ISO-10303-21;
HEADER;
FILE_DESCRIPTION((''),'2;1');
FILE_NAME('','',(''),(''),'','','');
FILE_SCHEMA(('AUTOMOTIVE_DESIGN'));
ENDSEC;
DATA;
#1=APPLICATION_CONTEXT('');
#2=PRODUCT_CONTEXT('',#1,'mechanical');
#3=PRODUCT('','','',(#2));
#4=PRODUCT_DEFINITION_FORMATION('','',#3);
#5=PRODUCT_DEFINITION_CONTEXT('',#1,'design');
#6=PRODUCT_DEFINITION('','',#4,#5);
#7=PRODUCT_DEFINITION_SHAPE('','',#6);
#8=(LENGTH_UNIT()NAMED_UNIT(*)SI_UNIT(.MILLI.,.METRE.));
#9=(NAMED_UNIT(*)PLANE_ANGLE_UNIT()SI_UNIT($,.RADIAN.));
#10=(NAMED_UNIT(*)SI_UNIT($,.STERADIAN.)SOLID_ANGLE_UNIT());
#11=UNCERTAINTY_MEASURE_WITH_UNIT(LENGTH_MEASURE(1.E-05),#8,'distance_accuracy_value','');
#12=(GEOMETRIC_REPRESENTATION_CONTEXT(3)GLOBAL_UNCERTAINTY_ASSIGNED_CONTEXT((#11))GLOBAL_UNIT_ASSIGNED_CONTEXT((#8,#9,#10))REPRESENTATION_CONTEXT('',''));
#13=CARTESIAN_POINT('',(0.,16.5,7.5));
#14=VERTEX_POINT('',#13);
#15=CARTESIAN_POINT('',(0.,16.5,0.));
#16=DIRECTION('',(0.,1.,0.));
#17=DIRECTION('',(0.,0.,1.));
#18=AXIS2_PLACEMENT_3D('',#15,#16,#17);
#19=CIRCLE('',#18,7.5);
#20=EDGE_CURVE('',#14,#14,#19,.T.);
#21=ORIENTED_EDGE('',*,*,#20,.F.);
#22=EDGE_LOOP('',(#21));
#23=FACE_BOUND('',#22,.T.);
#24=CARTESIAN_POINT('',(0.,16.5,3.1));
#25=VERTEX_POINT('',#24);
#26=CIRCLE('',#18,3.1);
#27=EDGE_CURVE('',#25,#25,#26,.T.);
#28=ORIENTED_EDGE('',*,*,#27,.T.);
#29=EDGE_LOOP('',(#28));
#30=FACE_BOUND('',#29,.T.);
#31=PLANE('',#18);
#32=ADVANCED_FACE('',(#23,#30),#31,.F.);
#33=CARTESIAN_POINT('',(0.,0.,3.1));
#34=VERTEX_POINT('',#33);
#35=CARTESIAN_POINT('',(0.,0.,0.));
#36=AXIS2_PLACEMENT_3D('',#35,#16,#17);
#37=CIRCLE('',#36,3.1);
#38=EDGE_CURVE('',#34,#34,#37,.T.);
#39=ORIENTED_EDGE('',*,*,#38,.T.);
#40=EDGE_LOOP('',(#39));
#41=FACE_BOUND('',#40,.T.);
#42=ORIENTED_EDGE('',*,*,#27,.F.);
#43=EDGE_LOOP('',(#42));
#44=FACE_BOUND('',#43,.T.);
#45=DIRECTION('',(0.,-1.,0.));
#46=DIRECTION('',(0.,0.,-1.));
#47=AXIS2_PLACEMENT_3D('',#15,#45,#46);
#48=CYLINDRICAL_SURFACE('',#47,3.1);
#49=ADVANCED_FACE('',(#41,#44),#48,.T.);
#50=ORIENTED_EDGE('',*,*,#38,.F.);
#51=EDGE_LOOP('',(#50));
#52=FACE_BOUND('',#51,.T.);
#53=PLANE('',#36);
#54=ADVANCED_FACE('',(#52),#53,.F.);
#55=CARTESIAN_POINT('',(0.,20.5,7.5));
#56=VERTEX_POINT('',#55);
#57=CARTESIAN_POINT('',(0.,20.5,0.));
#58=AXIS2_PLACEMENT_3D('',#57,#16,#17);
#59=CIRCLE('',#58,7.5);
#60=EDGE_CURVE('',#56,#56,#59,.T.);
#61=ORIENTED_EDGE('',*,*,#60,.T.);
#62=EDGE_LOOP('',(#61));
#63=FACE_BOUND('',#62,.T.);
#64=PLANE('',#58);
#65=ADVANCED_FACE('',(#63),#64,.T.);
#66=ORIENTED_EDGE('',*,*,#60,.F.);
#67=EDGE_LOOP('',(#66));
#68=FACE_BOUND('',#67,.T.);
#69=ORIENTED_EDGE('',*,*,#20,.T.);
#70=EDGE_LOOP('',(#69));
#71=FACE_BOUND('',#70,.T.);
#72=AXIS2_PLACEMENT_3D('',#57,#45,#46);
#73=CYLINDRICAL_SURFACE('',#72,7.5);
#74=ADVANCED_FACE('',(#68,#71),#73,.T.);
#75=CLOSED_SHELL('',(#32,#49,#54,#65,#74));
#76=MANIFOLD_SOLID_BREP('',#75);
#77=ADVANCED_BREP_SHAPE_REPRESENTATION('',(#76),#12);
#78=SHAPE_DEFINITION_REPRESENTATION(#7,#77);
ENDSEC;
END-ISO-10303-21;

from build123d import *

# Parameters (mm, degrees)
SKETCH_1_R      = 3.1
EXTRUDE_1_DEPTH = 16.5
SKETCH_2_R      = 7.5
EXTRUDE_2_DEPTH = 4


with BuildPart() as part:
    # Эскиз1 → Бобышка-Вытянуть1 (new body)
    with BuildSketch(Plane(origin=(0, 0, 0), x_dir=(1, 0, 0), z_dir=(0, 1, 0))):
        Circle(SKETCH_1_R)
    extrude(amount=EXTRUDE_1_DEPTH)

    # Эскиз2 → Бобышка-Вытянуть2 (add)
    with BuildSketch(Plane(origin=(0, 16.5, 0), x_dir=(1, 0, 0), z_dir=(0, 1, 0))):
        Circle(SKETCH_2_R)
    extrude(amount=EXTRUDE_2_DEPTH)


solid = part.part
